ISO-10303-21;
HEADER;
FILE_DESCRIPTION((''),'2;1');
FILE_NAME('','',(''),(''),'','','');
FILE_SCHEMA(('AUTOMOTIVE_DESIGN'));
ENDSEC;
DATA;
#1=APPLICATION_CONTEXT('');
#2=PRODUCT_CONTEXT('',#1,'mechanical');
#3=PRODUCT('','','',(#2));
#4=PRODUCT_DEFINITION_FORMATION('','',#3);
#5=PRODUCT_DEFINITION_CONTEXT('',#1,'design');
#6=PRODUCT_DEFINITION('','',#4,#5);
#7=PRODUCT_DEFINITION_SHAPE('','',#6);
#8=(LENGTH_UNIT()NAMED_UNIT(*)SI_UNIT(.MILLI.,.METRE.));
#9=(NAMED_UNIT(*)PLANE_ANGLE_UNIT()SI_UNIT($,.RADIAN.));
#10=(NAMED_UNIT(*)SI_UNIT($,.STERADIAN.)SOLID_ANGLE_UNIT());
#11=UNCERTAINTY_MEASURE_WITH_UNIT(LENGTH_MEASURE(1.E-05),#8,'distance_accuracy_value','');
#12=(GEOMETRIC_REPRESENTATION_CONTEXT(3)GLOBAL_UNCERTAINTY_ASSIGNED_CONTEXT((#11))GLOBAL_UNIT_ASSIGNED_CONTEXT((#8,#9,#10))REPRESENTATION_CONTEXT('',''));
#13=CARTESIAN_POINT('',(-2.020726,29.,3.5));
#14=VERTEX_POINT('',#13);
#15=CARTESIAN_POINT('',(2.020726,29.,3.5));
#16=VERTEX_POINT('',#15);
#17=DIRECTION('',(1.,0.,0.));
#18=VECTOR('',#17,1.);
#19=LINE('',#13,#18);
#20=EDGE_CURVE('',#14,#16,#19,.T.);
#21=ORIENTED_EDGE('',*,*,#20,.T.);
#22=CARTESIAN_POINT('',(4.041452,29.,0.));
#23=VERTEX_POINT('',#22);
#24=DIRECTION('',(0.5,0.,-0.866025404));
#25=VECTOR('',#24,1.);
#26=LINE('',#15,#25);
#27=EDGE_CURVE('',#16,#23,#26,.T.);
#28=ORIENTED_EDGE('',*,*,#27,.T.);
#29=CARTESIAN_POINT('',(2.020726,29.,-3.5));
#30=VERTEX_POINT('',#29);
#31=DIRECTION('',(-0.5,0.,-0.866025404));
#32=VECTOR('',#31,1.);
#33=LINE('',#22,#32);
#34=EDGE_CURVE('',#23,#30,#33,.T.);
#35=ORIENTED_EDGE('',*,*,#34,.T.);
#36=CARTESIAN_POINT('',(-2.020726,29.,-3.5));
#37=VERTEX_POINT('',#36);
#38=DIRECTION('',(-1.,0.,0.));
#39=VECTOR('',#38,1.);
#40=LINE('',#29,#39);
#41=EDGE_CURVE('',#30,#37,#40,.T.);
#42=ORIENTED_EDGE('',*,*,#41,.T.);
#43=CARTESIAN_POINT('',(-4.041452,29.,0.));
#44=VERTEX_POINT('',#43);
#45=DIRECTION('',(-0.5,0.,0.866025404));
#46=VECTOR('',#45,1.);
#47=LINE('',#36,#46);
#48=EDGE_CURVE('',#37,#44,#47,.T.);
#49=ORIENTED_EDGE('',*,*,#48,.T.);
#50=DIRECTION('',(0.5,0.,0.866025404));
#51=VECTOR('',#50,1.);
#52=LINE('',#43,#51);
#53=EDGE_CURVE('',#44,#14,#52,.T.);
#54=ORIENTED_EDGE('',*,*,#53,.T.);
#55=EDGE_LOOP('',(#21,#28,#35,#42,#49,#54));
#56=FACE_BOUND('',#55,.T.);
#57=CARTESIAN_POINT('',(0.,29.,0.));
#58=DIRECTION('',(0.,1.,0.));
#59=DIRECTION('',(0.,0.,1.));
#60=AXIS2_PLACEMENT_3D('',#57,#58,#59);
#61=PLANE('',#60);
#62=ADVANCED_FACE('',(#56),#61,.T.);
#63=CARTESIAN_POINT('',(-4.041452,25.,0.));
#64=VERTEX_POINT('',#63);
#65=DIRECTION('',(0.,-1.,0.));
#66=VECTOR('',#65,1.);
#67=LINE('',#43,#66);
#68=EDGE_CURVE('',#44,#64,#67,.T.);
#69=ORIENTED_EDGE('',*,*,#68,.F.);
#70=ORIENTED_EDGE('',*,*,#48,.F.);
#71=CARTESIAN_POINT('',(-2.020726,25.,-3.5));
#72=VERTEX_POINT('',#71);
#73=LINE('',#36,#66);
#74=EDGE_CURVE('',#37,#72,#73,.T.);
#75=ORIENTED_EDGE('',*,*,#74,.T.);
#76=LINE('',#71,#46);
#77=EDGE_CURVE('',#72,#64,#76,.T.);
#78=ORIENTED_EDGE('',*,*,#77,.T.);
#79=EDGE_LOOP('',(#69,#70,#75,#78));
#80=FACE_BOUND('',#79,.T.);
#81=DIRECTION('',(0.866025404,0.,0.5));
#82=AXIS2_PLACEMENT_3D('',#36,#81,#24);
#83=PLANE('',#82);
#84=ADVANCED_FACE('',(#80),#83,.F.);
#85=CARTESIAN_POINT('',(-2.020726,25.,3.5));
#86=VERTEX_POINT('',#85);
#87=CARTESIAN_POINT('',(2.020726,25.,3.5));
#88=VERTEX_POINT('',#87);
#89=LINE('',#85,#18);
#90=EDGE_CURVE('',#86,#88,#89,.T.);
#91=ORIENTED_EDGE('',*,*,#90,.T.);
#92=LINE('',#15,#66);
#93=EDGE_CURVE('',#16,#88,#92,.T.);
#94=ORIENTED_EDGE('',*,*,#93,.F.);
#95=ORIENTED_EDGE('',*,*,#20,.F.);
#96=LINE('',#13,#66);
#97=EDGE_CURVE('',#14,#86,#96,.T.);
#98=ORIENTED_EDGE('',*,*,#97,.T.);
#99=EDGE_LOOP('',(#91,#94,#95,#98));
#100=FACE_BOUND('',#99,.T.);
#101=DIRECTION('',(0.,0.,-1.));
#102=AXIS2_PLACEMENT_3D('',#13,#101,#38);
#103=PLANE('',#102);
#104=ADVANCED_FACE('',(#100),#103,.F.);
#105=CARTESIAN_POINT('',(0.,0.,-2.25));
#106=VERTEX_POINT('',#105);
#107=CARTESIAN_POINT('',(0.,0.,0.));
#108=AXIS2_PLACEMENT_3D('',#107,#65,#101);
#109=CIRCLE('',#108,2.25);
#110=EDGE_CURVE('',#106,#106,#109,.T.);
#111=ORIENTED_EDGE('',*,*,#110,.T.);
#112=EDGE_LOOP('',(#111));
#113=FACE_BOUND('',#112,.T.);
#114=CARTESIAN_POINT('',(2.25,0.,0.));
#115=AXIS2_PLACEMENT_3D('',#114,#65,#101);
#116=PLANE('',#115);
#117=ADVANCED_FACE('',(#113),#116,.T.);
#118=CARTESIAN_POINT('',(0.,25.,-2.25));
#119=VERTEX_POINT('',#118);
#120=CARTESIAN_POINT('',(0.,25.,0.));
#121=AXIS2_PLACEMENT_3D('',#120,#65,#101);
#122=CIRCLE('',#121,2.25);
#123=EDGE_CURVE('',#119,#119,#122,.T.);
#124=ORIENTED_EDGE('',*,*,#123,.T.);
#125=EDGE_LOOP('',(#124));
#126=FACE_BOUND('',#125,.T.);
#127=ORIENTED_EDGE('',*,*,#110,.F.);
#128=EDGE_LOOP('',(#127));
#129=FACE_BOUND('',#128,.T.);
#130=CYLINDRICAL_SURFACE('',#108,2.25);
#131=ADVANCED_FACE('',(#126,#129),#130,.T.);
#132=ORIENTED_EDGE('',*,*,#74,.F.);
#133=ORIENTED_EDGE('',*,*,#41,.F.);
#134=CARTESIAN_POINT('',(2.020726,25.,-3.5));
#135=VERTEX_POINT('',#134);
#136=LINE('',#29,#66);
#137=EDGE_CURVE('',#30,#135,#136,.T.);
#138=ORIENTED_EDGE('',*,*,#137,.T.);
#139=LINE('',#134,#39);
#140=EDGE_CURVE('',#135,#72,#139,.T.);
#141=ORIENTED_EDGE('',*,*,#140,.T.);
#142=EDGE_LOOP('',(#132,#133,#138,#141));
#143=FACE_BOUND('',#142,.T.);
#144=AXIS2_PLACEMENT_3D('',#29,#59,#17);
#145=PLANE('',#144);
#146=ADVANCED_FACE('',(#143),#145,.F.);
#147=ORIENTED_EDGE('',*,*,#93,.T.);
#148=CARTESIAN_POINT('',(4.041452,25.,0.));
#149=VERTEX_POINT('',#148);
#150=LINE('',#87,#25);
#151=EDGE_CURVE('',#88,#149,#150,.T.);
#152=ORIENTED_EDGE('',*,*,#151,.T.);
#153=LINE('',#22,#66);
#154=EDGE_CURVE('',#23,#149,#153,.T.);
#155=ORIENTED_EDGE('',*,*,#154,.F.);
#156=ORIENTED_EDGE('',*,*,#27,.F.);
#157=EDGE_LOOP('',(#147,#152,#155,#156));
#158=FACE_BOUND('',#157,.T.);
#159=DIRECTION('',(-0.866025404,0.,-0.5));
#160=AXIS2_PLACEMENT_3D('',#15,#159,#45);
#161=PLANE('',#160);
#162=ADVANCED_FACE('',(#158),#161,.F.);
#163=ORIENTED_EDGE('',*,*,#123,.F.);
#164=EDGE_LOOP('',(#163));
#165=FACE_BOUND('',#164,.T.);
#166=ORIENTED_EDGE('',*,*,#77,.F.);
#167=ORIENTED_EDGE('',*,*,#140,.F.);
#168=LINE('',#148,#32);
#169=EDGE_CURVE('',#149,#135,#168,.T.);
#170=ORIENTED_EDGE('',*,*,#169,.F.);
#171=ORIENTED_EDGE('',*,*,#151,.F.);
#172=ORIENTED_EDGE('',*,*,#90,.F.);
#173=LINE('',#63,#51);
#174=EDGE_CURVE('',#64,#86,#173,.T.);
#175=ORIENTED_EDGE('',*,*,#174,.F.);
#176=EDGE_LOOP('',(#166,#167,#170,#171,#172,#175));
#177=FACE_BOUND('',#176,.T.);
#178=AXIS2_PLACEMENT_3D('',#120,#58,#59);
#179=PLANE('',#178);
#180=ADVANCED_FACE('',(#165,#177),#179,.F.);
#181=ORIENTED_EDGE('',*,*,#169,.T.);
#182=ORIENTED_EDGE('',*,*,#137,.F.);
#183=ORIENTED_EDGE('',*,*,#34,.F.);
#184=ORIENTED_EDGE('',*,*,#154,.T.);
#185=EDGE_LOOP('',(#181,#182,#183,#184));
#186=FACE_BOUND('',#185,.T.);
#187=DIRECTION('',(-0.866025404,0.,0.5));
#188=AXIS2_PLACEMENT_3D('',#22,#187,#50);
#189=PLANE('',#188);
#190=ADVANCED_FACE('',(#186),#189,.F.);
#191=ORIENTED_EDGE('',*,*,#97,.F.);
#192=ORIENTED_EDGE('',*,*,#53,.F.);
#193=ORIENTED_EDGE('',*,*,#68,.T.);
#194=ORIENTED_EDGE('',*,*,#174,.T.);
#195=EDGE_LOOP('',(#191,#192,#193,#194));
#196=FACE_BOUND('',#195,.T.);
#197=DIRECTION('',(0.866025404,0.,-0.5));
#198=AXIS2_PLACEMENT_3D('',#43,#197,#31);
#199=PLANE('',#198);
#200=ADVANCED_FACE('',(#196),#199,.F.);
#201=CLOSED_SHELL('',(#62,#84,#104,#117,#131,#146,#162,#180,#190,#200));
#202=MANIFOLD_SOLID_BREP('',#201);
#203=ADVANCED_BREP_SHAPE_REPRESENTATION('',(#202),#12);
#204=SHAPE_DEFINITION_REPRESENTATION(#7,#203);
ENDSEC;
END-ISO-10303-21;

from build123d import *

# Parameters (mm, degrees)
SKETCH2_W           = 2.25
SKETCH2_H           = 25
BOSS_EXTRUDE1_DEPTH = 4


with BuildPart() as part:
    # Sketch2 → Revolve1 (revolve)
    with BuildSketch(Plane.XY, mode=Mode.PRIVATE) as revolve1_sk:
        with Locations((1.125, 12.5)):
            Rectangle(SKETCH2_W, SKETCH2_H)
    revolve(revolve1_sk.sketch.rotate(Axis((0, 0, 0), (0, 1, 0)), 90), axis=Axis((0, 0, 0), (0, 1, 0)))

    # Sketch3 → Boss-Extrude1 (add)
    with BuildSketch(Plane(origin=(0, 25, 0), x_dir=(1, 0, 0), z_dir=(0, 1, 0))):
        Polygon((4.041451884, 0), (2.020725942, 3.5), (-2.020725942, 3.5), (-4.041451884, 0), (-2.020725942, -3.5), (2.020725942, -3.5), align=None)
    extrude(amount=BOSS_EXTRUDE1_DEPTH)


solid = part.part
